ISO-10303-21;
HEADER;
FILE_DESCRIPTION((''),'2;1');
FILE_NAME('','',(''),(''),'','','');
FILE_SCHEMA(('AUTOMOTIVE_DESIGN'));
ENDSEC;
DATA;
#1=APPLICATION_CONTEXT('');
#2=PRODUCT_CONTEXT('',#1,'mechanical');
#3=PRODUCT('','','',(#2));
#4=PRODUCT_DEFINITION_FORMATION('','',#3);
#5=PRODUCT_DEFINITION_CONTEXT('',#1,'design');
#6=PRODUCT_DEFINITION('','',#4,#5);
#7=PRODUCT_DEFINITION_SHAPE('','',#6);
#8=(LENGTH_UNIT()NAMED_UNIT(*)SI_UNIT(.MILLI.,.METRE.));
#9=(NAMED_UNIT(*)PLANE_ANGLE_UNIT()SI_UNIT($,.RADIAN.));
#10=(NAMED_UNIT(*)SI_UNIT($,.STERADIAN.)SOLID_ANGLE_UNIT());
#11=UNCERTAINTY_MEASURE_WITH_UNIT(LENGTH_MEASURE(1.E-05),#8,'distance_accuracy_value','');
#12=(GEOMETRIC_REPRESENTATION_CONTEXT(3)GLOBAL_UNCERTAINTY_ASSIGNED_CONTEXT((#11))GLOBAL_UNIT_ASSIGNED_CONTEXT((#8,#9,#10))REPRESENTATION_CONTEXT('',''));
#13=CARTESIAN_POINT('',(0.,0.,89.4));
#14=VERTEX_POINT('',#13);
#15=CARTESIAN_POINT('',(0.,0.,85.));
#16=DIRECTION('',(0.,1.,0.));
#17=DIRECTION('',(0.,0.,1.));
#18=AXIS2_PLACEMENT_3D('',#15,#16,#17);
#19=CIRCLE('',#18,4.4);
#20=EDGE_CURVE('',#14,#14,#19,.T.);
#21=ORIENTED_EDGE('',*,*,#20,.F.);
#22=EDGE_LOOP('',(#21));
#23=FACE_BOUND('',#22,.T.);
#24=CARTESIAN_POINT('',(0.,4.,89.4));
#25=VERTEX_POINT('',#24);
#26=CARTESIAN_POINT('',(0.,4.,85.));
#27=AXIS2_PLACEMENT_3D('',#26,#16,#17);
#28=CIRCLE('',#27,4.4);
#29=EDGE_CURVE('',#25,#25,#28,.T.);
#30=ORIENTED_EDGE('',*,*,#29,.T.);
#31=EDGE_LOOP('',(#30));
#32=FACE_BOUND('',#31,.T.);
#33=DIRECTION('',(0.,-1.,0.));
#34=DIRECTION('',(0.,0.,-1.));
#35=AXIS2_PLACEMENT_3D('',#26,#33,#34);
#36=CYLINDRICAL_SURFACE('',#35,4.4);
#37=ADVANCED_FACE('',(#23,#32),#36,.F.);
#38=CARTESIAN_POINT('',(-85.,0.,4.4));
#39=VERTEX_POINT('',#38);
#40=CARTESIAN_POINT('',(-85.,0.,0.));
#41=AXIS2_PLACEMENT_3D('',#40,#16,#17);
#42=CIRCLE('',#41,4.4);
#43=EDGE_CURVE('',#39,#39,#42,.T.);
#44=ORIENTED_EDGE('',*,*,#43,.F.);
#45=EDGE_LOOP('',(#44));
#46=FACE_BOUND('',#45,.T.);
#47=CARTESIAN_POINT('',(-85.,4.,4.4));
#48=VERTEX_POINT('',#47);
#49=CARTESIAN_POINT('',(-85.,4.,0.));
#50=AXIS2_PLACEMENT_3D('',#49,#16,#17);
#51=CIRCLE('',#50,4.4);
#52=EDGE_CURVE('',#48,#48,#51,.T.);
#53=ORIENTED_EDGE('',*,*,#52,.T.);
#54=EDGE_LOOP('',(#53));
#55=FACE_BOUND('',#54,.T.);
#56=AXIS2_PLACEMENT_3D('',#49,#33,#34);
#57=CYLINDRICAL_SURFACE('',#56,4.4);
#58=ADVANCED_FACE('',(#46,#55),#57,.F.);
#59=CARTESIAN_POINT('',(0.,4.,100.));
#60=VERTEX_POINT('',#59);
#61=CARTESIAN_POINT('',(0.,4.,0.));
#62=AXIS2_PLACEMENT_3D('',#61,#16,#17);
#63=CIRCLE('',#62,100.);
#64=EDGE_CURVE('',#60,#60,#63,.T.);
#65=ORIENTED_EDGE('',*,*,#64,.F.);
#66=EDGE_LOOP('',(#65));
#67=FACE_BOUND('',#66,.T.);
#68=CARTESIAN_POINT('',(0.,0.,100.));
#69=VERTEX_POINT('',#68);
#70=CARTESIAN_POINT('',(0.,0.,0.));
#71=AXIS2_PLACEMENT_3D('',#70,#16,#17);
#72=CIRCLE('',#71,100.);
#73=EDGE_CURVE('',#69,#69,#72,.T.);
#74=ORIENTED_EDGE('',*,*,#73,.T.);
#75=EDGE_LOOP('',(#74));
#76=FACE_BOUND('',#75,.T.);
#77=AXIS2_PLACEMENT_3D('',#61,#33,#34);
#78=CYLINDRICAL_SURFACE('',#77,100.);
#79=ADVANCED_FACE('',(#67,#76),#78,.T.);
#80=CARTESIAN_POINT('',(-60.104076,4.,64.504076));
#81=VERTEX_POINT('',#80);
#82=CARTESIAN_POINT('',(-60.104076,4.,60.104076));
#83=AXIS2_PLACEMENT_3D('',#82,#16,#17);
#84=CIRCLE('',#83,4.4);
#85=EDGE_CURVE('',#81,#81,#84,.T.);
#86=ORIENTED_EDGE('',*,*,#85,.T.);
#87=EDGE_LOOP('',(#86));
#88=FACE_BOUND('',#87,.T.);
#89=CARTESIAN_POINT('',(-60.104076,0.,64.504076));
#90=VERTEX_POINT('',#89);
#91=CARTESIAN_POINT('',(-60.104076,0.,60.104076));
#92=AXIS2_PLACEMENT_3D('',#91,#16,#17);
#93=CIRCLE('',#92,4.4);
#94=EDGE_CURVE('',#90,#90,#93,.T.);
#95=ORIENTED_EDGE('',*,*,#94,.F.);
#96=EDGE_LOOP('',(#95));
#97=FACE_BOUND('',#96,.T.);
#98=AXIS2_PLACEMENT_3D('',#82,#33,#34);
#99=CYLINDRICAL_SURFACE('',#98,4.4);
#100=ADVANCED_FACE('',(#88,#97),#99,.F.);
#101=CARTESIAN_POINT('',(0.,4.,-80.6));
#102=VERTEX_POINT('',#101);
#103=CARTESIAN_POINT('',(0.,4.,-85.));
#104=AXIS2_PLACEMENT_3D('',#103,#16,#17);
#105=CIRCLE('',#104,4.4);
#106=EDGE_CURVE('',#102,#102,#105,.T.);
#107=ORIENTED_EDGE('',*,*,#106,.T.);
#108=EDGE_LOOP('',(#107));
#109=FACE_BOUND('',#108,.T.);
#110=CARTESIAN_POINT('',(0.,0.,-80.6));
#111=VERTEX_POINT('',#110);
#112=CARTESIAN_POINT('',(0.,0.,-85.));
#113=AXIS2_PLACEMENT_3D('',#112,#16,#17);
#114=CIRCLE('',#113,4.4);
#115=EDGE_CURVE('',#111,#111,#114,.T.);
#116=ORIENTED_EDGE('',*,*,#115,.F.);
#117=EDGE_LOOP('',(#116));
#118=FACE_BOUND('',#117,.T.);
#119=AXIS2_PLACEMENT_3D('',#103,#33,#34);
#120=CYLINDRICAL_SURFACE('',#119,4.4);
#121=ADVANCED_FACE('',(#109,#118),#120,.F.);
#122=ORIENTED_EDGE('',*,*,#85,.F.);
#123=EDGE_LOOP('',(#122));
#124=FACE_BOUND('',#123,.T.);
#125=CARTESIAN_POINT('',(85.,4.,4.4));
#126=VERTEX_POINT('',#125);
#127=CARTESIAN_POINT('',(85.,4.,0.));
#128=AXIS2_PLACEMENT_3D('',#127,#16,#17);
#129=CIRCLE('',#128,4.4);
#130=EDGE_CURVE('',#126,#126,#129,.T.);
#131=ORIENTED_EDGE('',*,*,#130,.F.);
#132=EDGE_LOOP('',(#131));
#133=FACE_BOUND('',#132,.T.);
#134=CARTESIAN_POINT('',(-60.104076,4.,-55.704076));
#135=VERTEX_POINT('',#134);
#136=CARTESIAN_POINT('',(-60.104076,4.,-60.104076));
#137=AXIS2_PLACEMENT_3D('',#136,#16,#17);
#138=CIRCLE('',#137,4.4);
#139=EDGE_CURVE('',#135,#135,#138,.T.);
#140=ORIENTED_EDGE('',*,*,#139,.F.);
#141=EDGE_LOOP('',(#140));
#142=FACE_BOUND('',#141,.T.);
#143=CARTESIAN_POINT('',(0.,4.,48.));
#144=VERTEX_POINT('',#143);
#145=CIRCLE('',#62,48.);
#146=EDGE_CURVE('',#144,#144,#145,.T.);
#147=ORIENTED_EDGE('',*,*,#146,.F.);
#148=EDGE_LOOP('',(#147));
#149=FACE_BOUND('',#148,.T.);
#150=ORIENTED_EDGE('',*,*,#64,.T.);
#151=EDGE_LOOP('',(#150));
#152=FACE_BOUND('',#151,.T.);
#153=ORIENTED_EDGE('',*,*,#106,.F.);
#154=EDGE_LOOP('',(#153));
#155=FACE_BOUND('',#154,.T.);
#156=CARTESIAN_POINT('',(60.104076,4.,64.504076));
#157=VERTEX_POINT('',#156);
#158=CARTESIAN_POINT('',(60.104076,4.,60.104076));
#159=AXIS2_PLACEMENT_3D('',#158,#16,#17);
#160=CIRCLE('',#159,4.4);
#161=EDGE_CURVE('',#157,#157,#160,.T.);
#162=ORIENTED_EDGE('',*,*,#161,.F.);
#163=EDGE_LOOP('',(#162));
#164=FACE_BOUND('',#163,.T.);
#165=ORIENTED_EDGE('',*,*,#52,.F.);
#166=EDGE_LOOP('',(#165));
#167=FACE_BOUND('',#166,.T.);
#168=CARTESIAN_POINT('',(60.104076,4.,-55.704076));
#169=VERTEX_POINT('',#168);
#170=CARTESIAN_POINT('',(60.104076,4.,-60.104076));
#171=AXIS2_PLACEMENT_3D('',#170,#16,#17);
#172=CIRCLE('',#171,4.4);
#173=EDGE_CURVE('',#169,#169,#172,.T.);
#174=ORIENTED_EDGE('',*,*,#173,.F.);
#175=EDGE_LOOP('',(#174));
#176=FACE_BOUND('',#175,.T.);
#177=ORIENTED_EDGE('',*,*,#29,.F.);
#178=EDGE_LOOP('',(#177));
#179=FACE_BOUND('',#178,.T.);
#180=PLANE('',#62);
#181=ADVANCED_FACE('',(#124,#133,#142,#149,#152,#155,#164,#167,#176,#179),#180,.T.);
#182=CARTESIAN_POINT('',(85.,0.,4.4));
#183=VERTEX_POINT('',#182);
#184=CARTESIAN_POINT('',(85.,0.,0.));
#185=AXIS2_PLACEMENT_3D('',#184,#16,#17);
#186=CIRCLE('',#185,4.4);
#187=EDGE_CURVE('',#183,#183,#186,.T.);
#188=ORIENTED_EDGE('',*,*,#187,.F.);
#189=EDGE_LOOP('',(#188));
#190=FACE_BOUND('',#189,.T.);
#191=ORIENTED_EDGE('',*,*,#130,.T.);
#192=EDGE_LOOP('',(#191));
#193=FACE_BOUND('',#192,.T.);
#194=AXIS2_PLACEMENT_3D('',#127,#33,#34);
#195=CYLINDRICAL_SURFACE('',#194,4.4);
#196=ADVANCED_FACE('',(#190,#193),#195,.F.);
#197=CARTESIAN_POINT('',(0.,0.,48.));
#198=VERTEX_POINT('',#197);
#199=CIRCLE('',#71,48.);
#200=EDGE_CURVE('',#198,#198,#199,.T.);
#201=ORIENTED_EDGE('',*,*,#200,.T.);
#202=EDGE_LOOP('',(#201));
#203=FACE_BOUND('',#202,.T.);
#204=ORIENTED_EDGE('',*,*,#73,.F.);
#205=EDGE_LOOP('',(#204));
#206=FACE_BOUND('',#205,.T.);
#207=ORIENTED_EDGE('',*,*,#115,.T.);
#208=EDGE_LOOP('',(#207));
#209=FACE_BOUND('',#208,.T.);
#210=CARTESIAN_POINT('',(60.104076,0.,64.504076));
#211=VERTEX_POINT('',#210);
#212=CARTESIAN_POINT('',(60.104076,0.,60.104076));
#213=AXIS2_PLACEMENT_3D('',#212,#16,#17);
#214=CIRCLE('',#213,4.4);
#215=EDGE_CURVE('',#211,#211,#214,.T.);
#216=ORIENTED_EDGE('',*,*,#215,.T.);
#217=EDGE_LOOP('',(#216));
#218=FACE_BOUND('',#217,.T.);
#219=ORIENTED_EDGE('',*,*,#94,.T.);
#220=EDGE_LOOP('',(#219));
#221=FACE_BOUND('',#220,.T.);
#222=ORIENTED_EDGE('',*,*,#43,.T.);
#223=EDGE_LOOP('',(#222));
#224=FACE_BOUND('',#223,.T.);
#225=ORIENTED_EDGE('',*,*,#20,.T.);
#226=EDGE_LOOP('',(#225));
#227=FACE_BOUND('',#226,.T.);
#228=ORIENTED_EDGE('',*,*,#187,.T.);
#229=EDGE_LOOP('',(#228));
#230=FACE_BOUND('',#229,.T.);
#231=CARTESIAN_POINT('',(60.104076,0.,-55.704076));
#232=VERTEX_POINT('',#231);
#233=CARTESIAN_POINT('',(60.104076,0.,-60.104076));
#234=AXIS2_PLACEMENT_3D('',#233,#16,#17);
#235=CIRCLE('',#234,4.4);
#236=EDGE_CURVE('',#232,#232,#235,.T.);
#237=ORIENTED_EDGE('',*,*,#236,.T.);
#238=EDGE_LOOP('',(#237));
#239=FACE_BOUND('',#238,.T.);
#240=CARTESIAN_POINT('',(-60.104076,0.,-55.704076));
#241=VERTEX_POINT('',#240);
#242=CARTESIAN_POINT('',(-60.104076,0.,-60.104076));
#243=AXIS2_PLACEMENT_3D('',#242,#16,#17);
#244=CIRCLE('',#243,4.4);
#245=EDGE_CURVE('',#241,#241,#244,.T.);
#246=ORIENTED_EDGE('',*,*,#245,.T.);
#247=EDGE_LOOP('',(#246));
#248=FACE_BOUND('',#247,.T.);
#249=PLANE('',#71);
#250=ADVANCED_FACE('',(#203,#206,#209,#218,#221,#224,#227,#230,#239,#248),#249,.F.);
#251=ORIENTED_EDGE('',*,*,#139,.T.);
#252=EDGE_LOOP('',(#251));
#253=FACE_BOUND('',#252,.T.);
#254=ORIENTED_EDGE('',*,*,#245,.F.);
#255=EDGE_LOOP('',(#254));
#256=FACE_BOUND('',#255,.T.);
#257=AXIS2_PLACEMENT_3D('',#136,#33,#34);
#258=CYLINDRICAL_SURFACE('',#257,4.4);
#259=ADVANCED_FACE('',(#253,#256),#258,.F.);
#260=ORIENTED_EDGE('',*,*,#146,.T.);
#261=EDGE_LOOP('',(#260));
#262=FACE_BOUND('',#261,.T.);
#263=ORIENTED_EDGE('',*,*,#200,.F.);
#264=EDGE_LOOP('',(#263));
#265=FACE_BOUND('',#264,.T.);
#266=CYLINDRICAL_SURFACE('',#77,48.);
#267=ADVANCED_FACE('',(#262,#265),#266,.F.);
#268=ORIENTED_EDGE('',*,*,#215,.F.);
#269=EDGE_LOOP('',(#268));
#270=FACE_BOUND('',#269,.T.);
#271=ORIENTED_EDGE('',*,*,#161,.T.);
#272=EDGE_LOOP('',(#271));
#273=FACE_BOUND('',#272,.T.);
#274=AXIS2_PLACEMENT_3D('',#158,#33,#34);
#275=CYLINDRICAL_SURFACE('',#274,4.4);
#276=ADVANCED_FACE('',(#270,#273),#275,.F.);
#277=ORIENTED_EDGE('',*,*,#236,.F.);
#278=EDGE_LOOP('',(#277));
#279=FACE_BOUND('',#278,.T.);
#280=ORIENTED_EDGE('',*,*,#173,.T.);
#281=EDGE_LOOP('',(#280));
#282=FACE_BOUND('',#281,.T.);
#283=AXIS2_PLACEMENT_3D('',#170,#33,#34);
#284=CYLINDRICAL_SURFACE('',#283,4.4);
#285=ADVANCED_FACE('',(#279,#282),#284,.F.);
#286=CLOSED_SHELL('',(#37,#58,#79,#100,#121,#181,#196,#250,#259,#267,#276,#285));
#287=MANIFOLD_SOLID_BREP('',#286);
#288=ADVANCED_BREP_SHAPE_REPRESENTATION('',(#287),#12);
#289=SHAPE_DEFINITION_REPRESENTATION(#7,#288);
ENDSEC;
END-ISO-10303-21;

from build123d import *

# Parameters (mm, degrees)
SKETCH_1_R      = 100
SKETCH_1_R_2    = 48
SKETCH_1_R_3    = 4.4
EXTRUDE_1_DEPTH = 4


with BuildPart() as part:
    # Эскиз1 → Бобышка-Вытянуть1 (new body)
    with BuildSketch(Plane(origin=(0, 0, 0), x_dir=(1, 0, 0), z_dir=(0, 1, 0))):
        with Locations(Location((0, 0, 0), (0, 0, 270))):
            Circle(SKETCH_1_R)
        with Locations(Location((0, 0, 0), (0, 0, 270))):
            Circle(SKETCH_1_R_2, mode=Mode.SUBTRACT)
        with Locations(Location((85, 0, 0), (0, 0, 270))):
            Circle(SKETCH_1_R_3, mode=Mode.SUBTRACT)
        with Locations(Location((60.104076401, -60.104076401, 0), (0, 0, 270))):
            Circle(SKETCH_1_R_3, mode=Mode.SUBTRACT)
        with Locations(Location((0, -85, 0), (0, 0, 270))):
            Circle(SKETCH_1_R_3, mode=Mode.SUBTRACT)
        with Locations(Location((-60.104076401, -60.104076401, 0), (0, 0, 270))):
            Circle(SKETCH_1_R_3, mode=Mode.SUBTRACT)
        with Locations(Location((-85, 0, 0), (0, 0, 270))):
            Circle(SKETCH_1_R_3, mode=Mode.SUBTRACT)
        with Locations(Location((-60.104076401, 60.104076401, 0), (0, 0, 270))):
            Circle(SKETCH_1_R_3, mode=Mode.SUBTRACT)
        with Locations(Location((0, 85, 0), (0, 0, 270))):
            Circle(SKETCH_1_R_3, mode=Mode.SUBTRACT)
        with Locations(Location((60.104076401, 60.104076401, 0), (0, 0, 270))):
            Circle(SKETCH_1_R_3, mode=Mode.SUBTRACT)
    extrude(amount=EXTRUDE_1_DEPTH)


solid = part.part
